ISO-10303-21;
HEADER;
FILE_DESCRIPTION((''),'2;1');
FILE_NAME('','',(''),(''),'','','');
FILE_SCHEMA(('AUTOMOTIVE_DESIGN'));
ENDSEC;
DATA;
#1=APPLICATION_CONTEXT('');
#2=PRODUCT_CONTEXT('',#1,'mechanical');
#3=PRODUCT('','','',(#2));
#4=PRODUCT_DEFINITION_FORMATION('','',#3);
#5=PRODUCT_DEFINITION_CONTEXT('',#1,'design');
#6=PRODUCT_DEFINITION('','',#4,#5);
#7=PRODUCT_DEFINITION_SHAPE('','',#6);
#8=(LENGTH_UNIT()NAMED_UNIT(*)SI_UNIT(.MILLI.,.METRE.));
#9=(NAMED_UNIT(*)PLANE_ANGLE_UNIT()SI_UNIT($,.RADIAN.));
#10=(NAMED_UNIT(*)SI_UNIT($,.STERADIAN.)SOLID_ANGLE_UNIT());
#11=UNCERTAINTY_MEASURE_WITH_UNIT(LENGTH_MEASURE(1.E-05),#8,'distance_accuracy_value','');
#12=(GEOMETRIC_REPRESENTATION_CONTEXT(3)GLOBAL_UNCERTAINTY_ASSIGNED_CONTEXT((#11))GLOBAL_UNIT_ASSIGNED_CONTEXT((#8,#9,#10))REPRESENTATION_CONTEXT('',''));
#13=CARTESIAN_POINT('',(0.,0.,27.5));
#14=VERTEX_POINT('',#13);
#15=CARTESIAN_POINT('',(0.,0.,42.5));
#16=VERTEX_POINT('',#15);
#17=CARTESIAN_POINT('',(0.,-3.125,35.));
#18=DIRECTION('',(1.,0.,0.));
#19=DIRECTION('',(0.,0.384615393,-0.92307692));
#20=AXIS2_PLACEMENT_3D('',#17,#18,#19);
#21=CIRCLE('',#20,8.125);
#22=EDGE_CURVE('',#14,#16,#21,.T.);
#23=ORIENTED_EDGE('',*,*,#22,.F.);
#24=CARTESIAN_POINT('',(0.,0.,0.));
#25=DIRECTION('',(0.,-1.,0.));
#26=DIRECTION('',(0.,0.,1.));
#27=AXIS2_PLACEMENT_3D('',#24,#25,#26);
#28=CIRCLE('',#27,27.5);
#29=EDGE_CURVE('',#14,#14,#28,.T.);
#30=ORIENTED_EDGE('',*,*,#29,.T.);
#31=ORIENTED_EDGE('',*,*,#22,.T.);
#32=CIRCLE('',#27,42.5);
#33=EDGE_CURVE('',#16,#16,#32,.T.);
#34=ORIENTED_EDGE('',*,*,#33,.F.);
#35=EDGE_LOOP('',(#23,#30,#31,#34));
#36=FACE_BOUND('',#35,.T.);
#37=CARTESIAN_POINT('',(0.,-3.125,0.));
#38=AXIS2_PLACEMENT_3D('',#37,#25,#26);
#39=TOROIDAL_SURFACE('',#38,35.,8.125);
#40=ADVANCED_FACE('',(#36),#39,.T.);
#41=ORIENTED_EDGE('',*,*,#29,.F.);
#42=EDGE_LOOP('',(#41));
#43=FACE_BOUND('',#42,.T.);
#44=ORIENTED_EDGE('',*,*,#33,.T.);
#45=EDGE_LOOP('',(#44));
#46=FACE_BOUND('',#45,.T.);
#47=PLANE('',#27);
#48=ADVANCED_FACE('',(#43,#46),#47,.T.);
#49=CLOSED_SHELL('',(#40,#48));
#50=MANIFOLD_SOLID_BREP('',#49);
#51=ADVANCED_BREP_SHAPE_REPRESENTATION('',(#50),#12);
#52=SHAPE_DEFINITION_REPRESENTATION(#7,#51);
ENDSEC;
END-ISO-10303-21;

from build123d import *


with BuildPart() as f2:
    # F1 (on Right) → F2 (revolve)
    with BuildSketch(Plane.YZ):
        with BuildLine():
            Line((0, 42.5), (0, 27.499999851))
            ThreePointArc((0, 27.499999851), (5, 34.9999999255), (0, 42.5))
        make_face()
    revolve(axis=Axis((0, 0, 0), (0, -1, 0)))


solid = f2.part
